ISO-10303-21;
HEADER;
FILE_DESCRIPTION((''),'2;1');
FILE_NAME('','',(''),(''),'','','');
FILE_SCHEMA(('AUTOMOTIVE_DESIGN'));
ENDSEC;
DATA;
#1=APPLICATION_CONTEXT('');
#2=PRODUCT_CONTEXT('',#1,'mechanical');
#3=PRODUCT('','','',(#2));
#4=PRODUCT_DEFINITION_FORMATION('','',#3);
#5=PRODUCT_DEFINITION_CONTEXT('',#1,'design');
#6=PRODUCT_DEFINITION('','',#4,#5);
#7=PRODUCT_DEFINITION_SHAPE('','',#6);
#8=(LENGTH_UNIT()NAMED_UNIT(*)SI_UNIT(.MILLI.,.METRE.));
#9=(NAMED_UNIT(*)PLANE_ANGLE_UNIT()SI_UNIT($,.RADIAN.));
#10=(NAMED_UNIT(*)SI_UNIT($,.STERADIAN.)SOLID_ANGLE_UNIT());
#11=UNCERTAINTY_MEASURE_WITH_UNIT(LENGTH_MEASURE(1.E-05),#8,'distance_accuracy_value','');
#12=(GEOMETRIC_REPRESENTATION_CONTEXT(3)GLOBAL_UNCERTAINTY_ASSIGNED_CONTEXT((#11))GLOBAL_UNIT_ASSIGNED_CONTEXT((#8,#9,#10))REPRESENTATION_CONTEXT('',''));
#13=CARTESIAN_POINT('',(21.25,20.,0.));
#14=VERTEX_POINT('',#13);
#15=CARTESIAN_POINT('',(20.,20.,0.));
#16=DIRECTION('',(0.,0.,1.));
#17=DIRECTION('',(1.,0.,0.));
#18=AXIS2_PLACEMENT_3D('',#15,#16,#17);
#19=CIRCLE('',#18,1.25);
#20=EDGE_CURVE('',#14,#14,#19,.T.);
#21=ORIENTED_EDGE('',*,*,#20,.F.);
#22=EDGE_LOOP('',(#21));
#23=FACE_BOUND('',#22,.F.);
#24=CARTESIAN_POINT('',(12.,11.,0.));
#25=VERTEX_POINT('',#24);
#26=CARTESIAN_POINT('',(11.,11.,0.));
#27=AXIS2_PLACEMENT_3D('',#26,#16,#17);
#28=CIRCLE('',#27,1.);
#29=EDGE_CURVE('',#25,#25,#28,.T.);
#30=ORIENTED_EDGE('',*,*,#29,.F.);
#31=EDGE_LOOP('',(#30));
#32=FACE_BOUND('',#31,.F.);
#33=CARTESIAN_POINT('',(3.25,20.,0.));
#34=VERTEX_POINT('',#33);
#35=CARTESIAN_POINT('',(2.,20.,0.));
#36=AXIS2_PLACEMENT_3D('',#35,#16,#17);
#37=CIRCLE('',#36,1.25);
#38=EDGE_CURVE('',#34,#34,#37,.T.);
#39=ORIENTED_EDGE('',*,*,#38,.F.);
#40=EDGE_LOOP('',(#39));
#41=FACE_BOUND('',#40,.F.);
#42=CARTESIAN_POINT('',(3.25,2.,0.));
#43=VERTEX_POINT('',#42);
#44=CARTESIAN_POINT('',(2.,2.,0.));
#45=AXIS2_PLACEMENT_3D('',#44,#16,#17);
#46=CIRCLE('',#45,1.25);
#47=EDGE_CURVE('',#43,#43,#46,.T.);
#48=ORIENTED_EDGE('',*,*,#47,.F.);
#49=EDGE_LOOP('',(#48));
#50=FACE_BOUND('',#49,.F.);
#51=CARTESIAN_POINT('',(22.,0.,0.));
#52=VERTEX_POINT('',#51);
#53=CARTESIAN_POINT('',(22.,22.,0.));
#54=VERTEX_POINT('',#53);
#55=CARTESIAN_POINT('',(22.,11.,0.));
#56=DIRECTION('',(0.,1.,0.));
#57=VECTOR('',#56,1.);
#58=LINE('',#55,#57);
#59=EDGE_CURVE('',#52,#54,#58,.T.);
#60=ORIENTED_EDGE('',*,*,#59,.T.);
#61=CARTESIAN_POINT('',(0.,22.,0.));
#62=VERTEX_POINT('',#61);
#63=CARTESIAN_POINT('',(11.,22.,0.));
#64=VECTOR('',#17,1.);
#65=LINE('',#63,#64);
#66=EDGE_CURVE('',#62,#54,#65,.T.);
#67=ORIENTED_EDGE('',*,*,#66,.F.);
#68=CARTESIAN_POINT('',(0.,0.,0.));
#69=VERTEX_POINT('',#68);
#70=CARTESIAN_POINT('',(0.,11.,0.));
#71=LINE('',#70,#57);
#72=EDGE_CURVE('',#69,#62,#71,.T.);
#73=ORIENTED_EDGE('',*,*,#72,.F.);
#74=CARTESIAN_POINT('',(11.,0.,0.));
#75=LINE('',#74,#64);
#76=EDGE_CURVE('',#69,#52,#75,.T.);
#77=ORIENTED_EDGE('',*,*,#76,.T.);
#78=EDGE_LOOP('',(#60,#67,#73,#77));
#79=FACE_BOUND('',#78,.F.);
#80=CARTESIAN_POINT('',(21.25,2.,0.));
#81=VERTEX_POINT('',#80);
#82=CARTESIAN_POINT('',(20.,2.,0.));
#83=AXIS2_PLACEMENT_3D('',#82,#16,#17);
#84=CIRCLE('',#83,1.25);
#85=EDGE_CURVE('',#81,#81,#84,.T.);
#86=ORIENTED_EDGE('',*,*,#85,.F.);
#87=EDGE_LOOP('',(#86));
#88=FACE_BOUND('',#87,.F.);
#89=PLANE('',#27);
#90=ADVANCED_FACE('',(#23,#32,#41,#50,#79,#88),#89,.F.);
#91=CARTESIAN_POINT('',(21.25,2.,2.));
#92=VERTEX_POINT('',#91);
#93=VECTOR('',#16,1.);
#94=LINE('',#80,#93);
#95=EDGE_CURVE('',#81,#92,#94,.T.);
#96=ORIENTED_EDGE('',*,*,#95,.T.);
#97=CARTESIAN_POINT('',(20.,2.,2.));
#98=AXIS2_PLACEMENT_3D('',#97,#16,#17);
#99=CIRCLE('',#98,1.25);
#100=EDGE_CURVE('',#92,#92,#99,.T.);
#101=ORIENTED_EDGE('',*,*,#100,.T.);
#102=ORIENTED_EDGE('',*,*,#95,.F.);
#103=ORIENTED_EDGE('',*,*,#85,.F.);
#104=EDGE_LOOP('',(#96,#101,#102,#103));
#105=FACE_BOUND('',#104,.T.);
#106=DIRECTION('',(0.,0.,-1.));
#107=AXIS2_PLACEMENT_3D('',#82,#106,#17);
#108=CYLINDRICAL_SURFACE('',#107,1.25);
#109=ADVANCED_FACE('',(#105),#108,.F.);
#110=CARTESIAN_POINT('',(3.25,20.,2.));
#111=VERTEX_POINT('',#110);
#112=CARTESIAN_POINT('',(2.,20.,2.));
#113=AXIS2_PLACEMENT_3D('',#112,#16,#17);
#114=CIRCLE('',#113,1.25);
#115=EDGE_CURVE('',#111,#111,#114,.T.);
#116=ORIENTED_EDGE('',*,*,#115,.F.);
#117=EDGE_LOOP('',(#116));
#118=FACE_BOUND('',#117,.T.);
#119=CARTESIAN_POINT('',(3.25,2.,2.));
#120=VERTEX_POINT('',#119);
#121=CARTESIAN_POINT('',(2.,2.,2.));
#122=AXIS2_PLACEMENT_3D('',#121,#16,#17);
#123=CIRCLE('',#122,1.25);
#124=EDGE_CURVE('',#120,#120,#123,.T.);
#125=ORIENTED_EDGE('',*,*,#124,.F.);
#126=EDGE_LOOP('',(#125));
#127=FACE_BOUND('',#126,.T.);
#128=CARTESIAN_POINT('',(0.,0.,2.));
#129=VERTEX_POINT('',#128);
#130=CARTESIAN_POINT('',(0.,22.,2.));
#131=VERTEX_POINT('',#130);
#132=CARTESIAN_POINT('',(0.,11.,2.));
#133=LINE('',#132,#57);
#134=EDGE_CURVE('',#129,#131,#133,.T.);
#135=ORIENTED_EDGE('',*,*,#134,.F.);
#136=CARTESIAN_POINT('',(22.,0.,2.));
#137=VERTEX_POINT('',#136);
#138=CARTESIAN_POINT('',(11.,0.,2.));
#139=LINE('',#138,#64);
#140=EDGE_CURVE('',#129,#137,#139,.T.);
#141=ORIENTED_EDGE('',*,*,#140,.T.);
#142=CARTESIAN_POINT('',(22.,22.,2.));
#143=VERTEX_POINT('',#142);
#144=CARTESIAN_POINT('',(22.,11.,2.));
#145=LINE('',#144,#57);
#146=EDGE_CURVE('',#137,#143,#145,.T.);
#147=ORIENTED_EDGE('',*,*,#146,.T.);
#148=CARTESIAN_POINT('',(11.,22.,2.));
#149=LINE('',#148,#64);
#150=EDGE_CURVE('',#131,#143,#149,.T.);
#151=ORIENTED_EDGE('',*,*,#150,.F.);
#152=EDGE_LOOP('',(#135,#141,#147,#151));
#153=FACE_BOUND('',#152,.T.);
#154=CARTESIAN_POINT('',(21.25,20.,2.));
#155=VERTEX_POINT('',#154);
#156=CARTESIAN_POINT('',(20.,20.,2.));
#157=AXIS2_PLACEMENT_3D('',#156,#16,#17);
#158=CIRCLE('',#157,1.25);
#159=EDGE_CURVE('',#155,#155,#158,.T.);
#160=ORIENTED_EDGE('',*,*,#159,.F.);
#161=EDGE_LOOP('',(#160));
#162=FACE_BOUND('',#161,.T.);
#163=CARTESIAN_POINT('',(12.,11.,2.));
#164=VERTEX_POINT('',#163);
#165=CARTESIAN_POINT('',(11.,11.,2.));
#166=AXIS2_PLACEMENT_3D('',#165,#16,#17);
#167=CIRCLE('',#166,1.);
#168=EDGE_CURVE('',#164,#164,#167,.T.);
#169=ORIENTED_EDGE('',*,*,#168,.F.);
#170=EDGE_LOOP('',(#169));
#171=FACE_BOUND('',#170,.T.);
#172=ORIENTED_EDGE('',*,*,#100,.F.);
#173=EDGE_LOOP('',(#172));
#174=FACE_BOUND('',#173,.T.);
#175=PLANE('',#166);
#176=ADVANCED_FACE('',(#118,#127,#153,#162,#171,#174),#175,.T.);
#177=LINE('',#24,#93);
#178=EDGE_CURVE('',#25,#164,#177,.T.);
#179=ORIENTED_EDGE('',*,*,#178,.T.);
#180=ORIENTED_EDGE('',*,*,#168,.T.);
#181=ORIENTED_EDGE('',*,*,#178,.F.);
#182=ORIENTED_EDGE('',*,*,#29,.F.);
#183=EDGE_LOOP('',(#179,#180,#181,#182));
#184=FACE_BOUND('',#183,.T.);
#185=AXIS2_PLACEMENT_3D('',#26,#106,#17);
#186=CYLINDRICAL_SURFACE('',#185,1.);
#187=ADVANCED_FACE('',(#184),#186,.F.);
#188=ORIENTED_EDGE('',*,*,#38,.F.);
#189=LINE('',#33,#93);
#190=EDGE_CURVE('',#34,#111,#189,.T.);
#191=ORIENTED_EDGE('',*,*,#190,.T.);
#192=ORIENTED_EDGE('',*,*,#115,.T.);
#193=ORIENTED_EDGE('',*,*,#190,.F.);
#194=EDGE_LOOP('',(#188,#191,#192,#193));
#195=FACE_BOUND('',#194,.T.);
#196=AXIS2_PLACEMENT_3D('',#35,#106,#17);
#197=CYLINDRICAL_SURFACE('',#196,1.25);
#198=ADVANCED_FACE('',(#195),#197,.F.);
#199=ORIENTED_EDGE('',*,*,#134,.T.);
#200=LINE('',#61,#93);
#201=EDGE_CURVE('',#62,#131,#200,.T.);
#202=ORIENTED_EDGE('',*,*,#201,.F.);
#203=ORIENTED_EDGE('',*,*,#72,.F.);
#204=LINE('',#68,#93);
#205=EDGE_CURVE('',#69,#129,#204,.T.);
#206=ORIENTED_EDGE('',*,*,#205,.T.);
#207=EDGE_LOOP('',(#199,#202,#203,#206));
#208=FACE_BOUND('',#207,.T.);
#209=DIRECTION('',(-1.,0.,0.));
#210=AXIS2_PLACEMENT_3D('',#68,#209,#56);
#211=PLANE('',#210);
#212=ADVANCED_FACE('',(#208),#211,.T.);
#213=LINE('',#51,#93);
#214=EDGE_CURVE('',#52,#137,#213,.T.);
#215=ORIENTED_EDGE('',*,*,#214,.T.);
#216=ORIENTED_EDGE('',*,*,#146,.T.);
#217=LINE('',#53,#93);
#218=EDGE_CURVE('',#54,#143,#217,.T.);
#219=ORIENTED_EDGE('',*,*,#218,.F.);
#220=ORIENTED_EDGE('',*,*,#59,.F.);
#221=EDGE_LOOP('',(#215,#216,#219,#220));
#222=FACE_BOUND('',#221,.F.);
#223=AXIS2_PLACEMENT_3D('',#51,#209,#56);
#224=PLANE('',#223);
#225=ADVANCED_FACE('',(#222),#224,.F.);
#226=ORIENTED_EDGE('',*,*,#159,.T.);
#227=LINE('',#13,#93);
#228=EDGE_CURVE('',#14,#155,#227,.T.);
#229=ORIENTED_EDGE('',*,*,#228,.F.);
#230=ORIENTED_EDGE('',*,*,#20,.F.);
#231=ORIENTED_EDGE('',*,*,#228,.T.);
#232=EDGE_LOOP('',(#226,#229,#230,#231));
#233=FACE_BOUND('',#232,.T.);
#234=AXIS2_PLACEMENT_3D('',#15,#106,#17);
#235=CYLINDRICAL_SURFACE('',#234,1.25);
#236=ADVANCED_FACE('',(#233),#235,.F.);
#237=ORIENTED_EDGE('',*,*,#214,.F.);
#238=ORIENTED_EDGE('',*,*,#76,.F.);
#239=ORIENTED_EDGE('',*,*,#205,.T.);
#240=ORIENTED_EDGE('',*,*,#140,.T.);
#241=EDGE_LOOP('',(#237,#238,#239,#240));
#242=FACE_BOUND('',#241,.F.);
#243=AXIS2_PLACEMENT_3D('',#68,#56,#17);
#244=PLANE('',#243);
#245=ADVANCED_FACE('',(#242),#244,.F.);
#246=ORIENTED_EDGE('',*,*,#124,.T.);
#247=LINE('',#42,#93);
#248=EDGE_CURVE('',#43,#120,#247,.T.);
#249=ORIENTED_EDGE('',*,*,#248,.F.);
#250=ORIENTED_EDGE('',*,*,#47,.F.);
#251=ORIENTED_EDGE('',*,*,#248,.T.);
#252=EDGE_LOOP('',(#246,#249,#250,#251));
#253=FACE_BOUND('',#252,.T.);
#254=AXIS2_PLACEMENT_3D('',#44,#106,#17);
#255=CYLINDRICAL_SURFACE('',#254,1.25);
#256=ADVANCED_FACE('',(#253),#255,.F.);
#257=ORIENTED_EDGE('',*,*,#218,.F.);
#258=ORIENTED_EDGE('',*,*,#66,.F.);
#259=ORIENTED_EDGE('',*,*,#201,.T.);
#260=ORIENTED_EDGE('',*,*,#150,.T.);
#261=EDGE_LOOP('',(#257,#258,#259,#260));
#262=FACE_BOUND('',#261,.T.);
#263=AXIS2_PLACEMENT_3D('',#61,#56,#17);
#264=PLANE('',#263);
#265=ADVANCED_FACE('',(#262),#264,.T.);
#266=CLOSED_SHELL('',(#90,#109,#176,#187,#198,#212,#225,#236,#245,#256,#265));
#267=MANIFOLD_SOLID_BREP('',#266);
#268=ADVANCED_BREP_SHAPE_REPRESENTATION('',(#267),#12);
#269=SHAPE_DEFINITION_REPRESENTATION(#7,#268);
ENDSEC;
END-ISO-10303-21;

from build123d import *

# Parameters (mm, degrees)
F0_W     = 22
F0_H     = 22
F0_R     = 1.25
F0_R_2   = 1
F1_DEPTH = 2


with BuildPart() as f1:
    # F0 (on Top) → F1 (new body)
    with BuildSketch(Plane.XY):
        with Locations((11, 11)):
            Rectangle(F0_W, F0_H)
        with Locations((2, 2)):
            Circle(F0_R, mode=Mode.SUBTRACT)
        with Locations((20, 2)):
            Circle(F0_R, mode=Mode.SUBTRACT)
        with Locations((2, 20)):
            Circle(F0_R, mode=Mode.SUBTRACT)
        with Locations((11, 11)):
            Circle(F0_R_2, mode=Mode.SUBTRACT)
        with Locations((20, 20)):
            Circle(F0_R, mode=Mode.SUBTRACT)
    extrude(amount=F1_DEPTH)


solid = f1.part
